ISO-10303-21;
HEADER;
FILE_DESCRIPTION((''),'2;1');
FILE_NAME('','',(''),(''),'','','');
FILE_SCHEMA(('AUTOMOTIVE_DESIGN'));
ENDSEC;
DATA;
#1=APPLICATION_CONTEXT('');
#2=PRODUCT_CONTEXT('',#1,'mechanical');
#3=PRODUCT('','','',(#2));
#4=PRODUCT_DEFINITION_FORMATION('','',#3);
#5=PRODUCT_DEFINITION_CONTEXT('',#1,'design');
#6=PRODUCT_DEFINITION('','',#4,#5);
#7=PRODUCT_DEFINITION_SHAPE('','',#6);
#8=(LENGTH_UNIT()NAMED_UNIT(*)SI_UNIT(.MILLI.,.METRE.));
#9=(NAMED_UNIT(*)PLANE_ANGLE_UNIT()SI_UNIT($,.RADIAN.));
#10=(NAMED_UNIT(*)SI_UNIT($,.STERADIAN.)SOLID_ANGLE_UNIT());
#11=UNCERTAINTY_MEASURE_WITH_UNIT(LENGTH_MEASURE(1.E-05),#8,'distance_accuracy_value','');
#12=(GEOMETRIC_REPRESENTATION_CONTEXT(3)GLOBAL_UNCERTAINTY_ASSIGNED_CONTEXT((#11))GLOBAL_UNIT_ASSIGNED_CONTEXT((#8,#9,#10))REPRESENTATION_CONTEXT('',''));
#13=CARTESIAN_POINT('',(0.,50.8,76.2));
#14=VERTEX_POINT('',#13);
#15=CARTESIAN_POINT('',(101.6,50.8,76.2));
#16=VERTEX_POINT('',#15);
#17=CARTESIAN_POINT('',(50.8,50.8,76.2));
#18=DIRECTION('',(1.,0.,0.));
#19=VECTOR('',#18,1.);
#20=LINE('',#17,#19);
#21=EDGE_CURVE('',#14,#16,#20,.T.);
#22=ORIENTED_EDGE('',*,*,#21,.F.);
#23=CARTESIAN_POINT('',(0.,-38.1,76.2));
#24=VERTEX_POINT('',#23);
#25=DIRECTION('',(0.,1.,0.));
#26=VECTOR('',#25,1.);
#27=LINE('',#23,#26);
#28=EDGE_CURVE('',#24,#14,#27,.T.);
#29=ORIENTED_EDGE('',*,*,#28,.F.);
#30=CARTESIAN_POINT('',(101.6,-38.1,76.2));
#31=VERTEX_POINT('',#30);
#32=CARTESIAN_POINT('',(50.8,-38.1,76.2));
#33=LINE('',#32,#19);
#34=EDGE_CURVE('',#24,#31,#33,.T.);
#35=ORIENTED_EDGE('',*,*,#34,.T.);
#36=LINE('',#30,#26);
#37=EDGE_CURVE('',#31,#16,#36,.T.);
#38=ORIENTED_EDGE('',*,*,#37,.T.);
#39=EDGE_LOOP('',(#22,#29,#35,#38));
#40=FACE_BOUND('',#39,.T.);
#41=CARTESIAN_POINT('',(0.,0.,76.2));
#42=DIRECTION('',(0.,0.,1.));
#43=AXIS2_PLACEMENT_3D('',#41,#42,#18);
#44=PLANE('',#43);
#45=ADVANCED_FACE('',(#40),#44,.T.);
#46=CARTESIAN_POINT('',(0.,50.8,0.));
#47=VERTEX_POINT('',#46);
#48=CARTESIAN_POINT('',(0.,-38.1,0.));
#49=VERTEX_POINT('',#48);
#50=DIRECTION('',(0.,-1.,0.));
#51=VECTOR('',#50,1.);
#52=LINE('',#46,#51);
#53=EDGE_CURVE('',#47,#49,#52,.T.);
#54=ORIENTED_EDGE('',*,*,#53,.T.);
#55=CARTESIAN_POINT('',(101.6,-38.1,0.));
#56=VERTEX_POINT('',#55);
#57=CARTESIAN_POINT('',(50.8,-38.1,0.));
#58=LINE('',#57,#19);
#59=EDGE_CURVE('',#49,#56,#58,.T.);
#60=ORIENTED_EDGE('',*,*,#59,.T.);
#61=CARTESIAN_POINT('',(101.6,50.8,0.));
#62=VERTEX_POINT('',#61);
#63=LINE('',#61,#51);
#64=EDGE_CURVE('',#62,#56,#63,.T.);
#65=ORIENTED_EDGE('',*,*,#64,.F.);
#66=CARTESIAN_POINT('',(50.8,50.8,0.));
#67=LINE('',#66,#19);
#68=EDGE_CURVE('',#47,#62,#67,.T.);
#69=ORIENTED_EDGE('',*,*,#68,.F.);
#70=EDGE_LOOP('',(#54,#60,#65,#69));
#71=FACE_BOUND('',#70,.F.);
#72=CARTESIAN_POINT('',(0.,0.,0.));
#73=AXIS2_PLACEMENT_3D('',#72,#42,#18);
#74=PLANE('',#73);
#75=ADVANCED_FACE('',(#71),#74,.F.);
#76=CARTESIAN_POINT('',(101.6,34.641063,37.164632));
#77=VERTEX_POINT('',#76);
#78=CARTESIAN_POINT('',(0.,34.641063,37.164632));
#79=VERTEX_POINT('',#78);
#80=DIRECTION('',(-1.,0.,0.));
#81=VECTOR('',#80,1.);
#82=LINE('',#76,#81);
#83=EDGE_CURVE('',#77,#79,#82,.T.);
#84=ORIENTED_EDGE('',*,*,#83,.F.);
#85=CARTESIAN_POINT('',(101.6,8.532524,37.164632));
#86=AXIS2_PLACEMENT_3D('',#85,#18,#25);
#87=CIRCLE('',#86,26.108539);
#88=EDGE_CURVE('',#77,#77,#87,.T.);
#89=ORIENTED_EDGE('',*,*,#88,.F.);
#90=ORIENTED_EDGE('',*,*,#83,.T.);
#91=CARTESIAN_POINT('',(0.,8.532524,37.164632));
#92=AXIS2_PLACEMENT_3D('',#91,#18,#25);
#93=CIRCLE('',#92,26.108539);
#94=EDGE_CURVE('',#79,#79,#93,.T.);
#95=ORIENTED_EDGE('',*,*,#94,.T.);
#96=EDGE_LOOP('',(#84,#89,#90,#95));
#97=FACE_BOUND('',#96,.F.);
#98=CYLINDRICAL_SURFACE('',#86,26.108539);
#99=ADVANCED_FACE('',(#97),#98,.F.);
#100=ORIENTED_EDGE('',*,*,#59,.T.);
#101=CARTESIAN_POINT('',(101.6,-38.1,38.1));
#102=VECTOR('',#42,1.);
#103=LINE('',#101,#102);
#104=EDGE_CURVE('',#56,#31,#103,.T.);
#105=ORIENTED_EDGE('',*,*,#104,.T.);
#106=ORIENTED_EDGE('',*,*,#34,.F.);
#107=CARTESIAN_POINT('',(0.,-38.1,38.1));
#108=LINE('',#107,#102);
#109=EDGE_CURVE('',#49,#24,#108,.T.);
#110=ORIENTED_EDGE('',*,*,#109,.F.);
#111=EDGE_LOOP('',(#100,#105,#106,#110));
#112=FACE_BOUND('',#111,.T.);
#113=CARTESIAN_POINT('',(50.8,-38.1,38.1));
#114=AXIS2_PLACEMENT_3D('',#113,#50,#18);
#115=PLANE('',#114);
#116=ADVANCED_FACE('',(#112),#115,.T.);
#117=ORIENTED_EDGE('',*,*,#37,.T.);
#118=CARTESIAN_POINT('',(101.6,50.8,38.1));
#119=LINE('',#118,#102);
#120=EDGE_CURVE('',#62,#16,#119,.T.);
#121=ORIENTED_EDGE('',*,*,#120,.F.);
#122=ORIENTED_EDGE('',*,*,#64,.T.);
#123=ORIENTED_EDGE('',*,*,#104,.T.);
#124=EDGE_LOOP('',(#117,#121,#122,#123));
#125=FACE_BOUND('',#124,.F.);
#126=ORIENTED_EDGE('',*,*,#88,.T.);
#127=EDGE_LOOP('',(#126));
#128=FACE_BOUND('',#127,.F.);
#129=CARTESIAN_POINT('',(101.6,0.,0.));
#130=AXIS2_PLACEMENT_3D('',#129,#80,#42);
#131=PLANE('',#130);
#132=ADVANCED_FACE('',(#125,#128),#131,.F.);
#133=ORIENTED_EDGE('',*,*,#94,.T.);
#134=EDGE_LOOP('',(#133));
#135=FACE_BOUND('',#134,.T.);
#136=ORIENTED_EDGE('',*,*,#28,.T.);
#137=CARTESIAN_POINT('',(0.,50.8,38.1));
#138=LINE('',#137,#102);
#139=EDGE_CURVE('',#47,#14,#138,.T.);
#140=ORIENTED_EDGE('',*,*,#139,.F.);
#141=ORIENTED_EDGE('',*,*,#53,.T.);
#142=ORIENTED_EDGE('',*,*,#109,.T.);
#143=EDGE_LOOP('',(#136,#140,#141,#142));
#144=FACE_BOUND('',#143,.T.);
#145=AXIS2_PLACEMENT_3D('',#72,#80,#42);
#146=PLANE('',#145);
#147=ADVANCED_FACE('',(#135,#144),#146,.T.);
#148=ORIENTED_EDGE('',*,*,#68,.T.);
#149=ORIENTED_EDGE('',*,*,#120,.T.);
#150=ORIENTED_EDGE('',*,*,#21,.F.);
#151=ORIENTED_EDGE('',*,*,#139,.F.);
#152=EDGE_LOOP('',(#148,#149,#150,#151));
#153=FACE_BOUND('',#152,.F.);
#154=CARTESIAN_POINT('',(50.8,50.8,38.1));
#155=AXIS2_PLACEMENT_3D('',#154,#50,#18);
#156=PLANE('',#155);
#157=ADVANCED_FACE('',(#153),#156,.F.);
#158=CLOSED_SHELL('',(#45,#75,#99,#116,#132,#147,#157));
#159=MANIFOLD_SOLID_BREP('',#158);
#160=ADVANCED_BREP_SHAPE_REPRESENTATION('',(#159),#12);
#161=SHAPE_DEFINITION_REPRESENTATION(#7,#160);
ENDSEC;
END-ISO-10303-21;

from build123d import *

# Parameters (mm, degrees)
F0_W      = 101.6
F0_H      = 76.2
F1_DEPTH  = 50.8
F1_FACE_W = 101.6
F1_FACE_H = 76.2
F2_DEPTH  = 38.1
F3_R      = 26.108539
F4_DEPTH  = 101.6


with BuildPart() as f1:
    # F0 (on Front) → F1 (new body)
    with BuildSketch(Plane.XZ):
        with Locations((50.8, 38.1)):
            Rectangle(F0_W, F0_H)
    extrude(amount=-F1_DEPTH)

    # F1_face (on face) → F2 (join)
    with BuildSketch(Plane(origin=(50.8, 0, 38.1), x_dir=(1, 0, 0), z_dir=(0, -1, 0))):
        Rectangle(F1_FACE_W, F1_FACE_H)
    extrude(amount=F2_DEPTH)

    # F3 (on face) → F4 (cut)
    with BuildSketch(Plane.YZ.offset(101.6)):
        with Locations((8.532524, 37.164632)):
            Circle(F3_R)
    extrude(amount=-F4_DEPTH, mode=Mode.SUBTRACT)


solid = f1.part
